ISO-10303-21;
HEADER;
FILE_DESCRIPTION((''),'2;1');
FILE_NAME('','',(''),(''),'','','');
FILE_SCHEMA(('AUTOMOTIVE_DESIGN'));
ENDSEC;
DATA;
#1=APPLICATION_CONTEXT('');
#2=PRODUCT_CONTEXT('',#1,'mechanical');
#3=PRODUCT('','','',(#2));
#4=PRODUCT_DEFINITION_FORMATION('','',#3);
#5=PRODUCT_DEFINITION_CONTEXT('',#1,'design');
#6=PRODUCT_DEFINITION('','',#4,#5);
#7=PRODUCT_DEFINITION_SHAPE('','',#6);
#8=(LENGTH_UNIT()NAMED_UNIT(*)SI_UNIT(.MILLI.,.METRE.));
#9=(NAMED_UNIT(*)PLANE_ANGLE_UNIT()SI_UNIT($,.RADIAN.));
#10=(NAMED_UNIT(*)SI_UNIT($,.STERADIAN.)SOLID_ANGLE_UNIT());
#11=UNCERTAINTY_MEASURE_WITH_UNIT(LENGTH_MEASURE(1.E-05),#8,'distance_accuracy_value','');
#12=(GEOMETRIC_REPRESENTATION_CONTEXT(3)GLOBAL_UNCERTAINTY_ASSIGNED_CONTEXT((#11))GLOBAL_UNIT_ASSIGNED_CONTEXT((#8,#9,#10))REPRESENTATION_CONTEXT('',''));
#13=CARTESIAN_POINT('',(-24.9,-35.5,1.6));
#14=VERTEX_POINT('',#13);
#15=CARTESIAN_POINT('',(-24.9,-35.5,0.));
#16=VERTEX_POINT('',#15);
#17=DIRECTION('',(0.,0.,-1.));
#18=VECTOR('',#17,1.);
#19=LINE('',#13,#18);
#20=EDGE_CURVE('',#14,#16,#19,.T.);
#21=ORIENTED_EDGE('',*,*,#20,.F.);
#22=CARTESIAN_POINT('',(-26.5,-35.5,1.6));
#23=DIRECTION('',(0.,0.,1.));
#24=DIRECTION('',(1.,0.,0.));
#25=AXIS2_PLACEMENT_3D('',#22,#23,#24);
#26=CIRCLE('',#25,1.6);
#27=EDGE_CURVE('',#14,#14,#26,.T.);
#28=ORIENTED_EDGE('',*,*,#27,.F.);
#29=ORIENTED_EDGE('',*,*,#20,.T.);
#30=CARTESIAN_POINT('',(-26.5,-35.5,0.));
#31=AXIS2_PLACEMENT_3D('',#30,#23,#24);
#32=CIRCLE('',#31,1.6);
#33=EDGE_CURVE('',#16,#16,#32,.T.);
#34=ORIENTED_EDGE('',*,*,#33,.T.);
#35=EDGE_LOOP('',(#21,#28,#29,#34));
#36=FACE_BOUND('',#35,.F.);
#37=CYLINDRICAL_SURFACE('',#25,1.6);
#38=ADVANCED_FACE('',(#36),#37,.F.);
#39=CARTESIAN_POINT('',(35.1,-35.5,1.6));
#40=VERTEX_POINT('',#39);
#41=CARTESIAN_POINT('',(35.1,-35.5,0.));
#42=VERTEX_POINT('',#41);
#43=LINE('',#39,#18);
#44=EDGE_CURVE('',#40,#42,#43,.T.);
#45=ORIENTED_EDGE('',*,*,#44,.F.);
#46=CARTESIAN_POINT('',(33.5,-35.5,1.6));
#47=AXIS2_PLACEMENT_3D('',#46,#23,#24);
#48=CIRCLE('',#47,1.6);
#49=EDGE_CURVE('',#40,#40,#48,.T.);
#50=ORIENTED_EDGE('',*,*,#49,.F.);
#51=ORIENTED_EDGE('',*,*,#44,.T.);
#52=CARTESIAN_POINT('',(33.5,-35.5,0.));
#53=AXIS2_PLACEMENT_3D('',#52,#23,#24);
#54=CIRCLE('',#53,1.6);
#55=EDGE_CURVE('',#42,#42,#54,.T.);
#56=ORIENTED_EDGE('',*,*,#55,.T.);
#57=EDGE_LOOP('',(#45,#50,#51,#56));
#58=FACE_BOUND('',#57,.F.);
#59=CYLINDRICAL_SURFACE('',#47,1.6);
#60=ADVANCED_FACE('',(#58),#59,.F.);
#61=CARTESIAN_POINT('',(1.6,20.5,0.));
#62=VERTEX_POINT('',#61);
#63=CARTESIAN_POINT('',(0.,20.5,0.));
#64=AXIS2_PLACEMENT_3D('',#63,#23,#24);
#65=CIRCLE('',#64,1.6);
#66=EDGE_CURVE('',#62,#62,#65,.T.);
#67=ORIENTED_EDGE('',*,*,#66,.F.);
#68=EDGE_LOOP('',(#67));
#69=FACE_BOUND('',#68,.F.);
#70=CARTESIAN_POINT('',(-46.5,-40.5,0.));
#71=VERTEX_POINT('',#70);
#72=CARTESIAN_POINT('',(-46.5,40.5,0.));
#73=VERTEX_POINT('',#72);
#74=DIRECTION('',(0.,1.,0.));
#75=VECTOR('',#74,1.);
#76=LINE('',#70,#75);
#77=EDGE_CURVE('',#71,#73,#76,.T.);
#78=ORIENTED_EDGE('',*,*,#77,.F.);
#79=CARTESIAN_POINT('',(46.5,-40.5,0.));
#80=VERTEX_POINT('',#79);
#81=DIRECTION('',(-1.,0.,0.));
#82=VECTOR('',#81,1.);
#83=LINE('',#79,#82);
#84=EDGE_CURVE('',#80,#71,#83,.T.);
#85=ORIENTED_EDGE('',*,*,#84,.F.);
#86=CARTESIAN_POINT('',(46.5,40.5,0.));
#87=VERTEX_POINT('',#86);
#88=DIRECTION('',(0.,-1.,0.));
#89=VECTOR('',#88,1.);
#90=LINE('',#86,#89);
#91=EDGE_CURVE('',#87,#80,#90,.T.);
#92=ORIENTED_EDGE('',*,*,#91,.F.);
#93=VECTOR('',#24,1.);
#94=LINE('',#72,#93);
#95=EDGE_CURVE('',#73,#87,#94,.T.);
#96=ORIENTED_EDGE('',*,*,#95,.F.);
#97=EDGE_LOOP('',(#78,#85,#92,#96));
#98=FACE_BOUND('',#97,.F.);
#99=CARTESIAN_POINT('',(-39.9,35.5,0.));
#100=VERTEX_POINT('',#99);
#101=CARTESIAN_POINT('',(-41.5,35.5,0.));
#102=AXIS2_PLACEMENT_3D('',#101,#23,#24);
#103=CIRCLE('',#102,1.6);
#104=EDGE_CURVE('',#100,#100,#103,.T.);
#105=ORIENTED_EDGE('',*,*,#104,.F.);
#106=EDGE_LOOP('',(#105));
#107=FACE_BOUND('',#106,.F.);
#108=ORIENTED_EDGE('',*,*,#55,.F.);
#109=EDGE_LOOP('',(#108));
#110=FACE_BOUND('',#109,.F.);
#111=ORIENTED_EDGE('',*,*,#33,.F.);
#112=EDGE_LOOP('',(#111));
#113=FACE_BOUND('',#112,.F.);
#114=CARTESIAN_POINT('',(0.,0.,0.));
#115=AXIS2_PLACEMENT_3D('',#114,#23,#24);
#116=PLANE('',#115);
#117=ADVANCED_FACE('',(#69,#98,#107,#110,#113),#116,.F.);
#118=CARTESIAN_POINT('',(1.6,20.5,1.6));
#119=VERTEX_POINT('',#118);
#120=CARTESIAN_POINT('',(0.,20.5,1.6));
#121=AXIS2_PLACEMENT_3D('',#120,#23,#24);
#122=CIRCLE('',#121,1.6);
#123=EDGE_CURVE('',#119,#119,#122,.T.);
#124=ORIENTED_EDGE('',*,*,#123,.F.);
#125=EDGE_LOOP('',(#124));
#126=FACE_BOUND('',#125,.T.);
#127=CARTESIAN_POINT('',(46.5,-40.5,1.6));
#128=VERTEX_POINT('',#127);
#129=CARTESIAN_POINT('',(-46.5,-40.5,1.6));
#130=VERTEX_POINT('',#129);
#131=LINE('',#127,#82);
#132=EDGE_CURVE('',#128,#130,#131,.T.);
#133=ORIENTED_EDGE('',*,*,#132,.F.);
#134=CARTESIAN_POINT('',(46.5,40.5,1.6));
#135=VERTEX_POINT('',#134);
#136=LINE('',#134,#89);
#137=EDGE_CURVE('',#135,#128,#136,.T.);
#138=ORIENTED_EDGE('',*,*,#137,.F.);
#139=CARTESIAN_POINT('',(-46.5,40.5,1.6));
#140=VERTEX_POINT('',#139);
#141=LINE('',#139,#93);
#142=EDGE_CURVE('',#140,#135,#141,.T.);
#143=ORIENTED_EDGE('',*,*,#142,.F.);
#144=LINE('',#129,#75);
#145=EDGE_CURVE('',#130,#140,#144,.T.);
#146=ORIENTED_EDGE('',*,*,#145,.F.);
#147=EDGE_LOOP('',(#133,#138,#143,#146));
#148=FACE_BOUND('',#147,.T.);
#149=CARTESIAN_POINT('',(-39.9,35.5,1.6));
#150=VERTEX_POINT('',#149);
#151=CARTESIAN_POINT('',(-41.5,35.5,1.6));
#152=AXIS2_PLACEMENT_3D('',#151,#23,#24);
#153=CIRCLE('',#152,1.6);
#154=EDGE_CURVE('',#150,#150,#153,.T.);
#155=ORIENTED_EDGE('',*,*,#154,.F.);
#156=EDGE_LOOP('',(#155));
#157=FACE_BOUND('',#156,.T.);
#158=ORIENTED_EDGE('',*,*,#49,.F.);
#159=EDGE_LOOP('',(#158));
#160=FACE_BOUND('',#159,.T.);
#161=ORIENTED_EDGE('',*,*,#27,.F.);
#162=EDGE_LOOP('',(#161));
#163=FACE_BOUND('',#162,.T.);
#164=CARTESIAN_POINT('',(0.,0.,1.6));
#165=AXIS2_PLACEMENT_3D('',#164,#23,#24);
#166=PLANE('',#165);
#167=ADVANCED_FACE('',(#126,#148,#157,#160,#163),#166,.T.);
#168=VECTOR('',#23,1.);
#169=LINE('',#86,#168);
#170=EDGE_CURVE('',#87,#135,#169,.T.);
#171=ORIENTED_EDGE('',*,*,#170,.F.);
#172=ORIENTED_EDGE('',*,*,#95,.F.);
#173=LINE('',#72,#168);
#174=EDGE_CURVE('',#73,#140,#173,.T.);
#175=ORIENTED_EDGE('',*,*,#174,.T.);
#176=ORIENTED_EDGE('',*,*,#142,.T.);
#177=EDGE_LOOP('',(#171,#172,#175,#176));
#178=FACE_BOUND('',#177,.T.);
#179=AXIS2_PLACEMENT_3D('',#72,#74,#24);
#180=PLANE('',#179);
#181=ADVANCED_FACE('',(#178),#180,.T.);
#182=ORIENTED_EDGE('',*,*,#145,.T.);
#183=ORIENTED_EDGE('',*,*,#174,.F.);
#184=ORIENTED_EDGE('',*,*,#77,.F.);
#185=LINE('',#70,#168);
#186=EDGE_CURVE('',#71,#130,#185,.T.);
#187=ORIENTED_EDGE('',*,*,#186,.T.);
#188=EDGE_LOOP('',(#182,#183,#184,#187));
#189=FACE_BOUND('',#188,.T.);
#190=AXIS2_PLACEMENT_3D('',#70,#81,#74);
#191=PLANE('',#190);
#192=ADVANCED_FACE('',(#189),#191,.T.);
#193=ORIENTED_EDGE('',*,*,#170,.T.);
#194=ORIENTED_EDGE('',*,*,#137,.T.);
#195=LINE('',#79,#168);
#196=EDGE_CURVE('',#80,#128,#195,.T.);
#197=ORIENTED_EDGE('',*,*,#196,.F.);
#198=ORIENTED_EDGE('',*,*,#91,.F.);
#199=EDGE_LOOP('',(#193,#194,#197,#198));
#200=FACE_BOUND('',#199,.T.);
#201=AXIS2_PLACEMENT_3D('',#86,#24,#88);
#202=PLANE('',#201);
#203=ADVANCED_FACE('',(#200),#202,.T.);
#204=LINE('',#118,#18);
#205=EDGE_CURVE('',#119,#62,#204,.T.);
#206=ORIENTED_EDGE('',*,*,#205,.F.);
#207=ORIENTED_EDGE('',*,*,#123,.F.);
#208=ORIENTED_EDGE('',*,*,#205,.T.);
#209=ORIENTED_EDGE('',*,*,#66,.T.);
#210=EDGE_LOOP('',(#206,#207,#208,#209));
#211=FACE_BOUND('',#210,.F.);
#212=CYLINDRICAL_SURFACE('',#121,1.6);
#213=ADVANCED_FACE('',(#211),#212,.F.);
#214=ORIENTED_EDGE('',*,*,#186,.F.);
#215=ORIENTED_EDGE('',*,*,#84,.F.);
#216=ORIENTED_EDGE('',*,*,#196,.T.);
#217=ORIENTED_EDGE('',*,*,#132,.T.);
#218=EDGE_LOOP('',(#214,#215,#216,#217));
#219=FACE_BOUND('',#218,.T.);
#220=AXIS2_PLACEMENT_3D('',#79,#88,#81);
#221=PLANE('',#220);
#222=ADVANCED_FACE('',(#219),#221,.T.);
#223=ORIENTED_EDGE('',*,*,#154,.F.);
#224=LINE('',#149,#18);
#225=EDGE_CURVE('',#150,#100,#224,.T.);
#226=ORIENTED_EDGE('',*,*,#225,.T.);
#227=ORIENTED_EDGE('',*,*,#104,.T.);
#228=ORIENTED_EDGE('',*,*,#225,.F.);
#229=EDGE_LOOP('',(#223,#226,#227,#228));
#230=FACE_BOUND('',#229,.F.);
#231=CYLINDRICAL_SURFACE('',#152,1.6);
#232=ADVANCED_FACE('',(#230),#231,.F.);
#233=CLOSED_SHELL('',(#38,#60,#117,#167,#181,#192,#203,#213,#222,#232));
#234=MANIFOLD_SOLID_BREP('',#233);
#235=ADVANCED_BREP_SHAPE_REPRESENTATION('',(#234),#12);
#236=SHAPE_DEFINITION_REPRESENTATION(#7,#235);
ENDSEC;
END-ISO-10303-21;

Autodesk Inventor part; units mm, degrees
ref_plane "YZ Plane" through (0, 0, 0) normal (1, 0, 0) x (0, 1, 0)
ref_plane "XZ Plane" through (0, 0, 0) normal (0, 1, 0) x (-1, 0, 0)
ref_plane "XY Plane" through (0, 0, 0) normal (0, 0, 1) x (1, 0, 0)
sketch "スケッチ1" plane through (0, 0, 0) normal (0, 0, 1) x (1, 0, 0)
  line L0 (46.5, -40.5) -> (-46.5, -40.5)
  line L1 (-46.5, -40.5) -> (-46.5, 40.5)
  line L2 (-46.5, 40.5) -> (46.5, 40.5)
  line L3 (46.5, 40.5) -> (46.5, -40.5)
  line L4 (46.5, -40.5) -> (-46.5, 40.5) construction
  line L5 (-46.5, -40.5) -> (46.5, 40.5) construction
  point P0 (0, 0)
  dimension "d0" = 93
  dimension "d1" = 81
extrude "押し出し1" add sketch "スケッチ1" along normal blind 1.6
sketch "スケッチ2" plane through (0, 0, 1.6) normal (0, 0, 1) x (1, 0, 0)
  circle A0 centre (-41.5, 35.5) radius 1.6
  line L0 (46.5, 40.5) -> (-46.5, 40.5) projected
  line L1 (-46.5, 40.5) -> (-46.5, -40.5) projected
  circle A1 centre (-26.5, -35.5) radius 1.6
  line L2 (-46.5, -40.5) -> (46.5, -40.5) projected
  circle A2 centre (33.5, -35.5) radius 1.6
  circle A3 centre (0, 20.5) radius 1.6
  point P0 (0, 0)
  dimension "d4" = 3.2
  dimension "d5" = 5
  dimension "d6" = 5
  dimension "d7" = 3.2
  dimension "d8" = 20
  dimension "d9" = 5
  dimension "d11" = 80
  dimension "d14" = 20
extrude "押し出し2" cut sketch "スケッチ2" against normal through all
equation "\"d9\" = d5"
properties part number "board"
